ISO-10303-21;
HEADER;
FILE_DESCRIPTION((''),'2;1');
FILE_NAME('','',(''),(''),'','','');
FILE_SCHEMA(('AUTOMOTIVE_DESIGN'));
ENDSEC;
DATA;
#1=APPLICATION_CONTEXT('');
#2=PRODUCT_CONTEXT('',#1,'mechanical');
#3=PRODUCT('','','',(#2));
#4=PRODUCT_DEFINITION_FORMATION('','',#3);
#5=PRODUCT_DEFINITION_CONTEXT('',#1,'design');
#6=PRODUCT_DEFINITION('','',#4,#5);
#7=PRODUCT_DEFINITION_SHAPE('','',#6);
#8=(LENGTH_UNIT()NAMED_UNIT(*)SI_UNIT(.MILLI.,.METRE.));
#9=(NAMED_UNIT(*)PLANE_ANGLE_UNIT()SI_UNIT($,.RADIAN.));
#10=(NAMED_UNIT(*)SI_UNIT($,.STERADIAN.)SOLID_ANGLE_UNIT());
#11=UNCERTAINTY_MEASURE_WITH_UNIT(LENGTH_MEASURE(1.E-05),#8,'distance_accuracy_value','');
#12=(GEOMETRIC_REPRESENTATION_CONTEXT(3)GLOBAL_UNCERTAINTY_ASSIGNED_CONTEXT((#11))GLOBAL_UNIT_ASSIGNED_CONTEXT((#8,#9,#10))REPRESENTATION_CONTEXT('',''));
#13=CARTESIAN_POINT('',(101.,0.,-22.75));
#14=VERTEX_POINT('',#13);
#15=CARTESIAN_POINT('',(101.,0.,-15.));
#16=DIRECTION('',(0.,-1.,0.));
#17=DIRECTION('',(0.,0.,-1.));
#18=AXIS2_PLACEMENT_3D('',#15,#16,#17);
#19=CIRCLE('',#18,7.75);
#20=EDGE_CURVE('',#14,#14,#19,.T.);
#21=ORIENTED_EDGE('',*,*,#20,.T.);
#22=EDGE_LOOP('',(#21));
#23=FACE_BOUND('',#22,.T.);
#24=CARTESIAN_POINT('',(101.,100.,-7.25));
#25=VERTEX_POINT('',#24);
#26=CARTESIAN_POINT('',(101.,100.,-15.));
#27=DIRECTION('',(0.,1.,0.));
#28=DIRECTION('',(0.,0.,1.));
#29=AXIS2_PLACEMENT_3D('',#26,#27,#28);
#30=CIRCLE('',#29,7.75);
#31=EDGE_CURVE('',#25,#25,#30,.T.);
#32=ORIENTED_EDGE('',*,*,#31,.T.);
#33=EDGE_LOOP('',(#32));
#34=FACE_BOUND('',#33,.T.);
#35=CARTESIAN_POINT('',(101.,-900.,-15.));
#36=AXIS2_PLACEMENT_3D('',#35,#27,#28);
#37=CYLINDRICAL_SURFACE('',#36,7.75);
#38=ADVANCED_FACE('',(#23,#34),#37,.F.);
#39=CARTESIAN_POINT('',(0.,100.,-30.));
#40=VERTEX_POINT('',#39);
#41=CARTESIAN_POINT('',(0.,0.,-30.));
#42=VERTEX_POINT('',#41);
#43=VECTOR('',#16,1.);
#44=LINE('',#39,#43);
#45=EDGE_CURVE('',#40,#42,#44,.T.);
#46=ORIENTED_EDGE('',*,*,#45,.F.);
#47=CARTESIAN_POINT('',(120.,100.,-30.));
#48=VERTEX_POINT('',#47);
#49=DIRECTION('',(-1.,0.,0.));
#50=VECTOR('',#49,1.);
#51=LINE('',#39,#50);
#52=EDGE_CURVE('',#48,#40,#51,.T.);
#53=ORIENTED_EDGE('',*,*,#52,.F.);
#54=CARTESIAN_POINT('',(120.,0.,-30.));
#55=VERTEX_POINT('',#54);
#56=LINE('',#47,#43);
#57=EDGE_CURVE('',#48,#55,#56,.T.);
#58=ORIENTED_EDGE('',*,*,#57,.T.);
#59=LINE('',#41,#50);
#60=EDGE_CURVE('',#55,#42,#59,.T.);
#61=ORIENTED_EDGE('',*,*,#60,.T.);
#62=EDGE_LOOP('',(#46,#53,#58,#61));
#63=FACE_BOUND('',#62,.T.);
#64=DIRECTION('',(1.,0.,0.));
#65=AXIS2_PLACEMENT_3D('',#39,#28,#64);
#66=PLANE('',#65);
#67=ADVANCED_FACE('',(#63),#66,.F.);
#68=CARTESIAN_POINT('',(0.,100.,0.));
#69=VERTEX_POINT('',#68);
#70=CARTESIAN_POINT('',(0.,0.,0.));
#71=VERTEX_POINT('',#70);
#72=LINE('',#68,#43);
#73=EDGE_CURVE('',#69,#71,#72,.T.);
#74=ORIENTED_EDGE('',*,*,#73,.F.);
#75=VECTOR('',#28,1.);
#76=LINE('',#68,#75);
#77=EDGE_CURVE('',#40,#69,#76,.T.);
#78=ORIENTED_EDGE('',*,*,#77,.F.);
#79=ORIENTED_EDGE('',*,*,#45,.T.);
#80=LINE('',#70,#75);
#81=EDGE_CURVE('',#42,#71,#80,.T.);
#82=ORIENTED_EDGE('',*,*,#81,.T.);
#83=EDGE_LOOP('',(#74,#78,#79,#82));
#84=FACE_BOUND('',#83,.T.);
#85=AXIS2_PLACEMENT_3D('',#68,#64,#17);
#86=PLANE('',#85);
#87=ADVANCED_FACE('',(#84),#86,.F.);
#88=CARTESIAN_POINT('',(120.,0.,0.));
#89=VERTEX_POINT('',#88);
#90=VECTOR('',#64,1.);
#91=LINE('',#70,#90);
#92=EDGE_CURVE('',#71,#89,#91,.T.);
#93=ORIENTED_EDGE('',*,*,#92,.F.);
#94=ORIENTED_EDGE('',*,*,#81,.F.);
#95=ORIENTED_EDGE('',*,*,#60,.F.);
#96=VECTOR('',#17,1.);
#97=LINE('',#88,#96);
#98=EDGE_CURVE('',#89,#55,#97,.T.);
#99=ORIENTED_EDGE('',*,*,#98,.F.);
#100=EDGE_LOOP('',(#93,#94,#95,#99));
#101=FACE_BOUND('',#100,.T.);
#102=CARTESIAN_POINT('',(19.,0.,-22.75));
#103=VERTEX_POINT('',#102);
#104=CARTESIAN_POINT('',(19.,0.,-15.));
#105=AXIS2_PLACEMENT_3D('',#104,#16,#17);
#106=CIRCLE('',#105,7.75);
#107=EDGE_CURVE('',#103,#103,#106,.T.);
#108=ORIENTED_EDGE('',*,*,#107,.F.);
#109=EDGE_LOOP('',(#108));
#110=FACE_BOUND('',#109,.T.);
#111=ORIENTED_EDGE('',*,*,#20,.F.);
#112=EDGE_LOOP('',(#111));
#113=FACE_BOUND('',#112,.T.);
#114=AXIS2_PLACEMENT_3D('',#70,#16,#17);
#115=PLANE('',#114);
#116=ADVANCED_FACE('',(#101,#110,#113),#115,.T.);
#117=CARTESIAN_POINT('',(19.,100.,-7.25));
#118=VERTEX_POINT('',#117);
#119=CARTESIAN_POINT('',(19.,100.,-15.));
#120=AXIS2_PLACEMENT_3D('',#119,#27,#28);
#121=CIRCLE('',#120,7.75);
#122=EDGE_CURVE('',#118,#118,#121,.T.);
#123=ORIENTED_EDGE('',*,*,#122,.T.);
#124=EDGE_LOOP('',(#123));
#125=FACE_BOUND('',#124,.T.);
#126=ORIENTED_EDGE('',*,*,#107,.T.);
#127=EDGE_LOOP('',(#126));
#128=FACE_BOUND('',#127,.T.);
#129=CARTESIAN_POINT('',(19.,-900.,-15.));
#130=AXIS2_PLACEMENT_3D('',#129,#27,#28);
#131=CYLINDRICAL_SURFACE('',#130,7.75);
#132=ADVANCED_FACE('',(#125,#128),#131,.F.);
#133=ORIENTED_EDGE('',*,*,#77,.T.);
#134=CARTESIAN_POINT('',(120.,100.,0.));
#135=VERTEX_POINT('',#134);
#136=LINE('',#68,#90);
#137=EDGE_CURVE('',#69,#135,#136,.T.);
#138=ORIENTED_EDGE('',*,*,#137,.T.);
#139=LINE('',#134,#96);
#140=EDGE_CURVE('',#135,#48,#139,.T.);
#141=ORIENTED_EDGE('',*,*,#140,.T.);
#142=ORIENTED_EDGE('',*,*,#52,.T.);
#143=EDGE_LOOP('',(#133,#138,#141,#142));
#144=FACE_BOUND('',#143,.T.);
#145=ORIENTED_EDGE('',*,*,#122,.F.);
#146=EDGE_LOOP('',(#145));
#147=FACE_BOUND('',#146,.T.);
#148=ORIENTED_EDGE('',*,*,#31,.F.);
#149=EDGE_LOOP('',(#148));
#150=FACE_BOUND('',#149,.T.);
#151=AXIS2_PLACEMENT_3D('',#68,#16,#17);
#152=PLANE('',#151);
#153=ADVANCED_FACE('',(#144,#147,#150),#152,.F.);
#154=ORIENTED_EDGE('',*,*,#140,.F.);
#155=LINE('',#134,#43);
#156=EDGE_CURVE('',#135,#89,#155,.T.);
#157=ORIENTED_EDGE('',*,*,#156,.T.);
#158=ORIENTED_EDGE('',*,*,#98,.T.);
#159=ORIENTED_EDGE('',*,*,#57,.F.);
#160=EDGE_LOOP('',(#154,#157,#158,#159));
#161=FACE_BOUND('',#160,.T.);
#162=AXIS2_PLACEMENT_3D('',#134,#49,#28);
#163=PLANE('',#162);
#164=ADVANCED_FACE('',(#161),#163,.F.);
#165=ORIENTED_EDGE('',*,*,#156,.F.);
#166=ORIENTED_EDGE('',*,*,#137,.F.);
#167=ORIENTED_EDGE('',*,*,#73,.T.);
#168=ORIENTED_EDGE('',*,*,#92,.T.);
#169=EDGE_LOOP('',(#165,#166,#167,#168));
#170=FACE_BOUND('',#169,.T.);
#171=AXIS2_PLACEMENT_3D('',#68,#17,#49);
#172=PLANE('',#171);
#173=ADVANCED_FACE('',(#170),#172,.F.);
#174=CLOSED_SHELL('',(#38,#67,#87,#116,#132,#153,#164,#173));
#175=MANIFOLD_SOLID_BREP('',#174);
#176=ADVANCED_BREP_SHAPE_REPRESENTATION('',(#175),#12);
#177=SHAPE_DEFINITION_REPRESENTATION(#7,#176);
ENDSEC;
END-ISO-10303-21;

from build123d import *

# Parameters (mm, degrees)
SKETCH_1_W          = 120
SKETCH_1_H          = 30
EXTRUDE_1_DEPTH     = 100
SKETCH_2_R          = 7.75
CUT_EXTRUDE_1_DEPTH = 1000


with BuildPart() as part:
    # 스케치1 → 보스-돌출1 (new body)
    with BuildSketch(Plane(origin=(0, 0, 0), x_dir=(1, 0, 0), z_dir=(0, 1, 0))):
        with Locations((60, 15)):
            Rectangle(SKETCH_1_W, SKETCH_1_H)
    extrude(amount=EXTRUDE_1_DEPTH)

    # 스케치2 → 컷-돌출1 (cut)
    with BuildSketch(Plane(origin=(0, 100, 0), x_dir=(1, 0, 0), z_dir=(0, 1, 0))):
        with Locations(Location((101, 15, 0), (0, 0, 270))):
            Circle(SKETCH_2_R)
        with Locations(Location((19, 15, 0), (0, 0, 270))):
            Circle(SKETCH_2_R)
    extrude(amount=-CUT_EXTRUDE_1_DEPTH, mode=Mode.SUBTRACT)


solid = part.part
